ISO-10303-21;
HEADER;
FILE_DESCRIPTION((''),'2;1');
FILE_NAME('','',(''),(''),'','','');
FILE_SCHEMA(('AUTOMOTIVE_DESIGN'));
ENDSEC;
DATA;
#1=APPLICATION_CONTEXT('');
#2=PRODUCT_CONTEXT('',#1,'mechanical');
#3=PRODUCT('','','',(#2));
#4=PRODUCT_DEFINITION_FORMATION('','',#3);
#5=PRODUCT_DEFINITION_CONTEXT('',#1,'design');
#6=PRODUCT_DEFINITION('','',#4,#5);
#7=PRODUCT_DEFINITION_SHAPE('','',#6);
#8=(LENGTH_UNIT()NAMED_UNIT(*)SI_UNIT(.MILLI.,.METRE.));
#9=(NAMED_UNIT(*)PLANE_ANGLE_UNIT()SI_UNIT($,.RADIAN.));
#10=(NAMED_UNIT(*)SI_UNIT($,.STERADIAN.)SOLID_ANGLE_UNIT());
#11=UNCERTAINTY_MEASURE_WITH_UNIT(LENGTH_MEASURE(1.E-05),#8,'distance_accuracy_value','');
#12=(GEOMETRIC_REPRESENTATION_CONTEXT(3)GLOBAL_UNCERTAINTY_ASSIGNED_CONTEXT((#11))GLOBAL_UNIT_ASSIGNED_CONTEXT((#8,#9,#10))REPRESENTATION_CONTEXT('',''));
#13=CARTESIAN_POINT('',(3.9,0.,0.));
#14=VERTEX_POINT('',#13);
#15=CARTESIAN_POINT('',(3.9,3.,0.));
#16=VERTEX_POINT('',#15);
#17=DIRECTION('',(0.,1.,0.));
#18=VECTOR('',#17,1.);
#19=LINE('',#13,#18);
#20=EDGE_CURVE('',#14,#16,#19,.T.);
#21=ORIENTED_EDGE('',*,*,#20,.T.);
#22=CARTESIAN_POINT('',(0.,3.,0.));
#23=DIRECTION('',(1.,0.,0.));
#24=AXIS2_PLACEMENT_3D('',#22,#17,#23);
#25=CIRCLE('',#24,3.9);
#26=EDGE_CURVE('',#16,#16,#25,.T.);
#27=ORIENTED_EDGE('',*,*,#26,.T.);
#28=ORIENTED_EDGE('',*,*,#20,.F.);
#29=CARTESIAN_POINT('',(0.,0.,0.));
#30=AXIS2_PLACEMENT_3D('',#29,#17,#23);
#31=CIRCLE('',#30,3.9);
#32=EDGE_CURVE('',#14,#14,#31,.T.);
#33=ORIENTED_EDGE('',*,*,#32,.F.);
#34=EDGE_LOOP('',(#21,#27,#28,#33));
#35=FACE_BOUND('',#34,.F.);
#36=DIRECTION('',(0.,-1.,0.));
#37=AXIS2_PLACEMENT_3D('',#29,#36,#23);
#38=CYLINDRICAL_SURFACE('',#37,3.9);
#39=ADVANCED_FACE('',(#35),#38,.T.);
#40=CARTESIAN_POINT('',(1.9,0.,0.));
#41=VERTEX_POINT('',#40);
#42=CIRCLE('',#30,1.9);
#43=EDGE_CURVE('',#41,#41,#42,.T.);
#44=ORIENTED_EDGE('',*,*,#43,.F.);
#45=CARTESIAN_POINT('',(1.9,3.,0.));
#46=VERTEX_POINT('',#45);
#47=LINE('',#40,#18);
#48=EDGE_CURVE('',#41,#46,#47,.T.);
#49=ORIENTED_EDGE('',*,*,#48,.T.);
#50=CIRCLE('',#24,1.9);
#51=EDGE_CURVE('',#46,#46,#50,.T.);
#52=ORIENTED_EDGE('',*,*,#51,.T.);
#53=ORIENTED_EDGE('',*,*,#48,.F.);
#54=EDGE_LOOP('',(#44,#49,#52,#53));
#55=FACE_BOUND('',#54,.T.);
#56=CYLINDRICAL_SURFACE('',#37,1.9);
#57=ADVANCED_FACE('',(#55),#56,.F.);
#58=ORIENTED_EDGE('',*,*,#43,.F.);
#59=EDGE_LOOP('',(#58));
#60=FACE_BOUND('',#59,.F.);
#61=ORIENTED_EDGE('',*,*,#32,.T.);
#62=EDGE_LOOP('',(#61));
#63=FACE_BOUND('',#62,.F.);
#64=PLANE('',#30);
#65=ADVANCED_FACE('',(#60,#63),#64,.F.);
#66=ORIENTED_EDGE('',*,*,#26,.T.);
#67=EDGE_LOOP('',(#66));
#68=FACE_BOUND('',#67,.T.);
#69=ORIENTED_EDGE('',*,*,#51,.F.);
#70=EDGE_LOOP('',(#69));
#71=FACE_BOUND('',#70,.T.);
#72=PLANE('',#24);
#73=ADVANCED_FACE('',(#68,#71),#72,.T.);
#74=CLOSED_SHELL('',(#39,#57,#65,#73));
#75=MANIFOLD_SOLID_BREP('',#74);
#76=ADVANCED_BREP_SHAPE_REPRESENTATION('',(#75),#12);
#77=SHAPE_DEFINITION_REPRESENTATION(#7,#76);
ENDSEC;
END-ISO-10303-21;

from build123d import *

# Parameters (mm, degrees)
SKETCH_1_R      = 3.9
SKETCH_1_R_2    = 1.9
EXTRUDE_1_DEPTH = 3


with BuildPart() as part:
    # 草图1 → 拉伸-薄壁1 (new body)
    with BuildSketch(Plane(origin=(0, 0, 0), x_dir=(1, 0, 0), z_dir=(0, 1, 0))):
        Circle(SKETCH_1_R)
        Circle(SKETCH_1_R_2, mode=Mode.SUBTRACT)
    extrude(amount=EXTRUDE_1_DEPTH)


solid = part.part
